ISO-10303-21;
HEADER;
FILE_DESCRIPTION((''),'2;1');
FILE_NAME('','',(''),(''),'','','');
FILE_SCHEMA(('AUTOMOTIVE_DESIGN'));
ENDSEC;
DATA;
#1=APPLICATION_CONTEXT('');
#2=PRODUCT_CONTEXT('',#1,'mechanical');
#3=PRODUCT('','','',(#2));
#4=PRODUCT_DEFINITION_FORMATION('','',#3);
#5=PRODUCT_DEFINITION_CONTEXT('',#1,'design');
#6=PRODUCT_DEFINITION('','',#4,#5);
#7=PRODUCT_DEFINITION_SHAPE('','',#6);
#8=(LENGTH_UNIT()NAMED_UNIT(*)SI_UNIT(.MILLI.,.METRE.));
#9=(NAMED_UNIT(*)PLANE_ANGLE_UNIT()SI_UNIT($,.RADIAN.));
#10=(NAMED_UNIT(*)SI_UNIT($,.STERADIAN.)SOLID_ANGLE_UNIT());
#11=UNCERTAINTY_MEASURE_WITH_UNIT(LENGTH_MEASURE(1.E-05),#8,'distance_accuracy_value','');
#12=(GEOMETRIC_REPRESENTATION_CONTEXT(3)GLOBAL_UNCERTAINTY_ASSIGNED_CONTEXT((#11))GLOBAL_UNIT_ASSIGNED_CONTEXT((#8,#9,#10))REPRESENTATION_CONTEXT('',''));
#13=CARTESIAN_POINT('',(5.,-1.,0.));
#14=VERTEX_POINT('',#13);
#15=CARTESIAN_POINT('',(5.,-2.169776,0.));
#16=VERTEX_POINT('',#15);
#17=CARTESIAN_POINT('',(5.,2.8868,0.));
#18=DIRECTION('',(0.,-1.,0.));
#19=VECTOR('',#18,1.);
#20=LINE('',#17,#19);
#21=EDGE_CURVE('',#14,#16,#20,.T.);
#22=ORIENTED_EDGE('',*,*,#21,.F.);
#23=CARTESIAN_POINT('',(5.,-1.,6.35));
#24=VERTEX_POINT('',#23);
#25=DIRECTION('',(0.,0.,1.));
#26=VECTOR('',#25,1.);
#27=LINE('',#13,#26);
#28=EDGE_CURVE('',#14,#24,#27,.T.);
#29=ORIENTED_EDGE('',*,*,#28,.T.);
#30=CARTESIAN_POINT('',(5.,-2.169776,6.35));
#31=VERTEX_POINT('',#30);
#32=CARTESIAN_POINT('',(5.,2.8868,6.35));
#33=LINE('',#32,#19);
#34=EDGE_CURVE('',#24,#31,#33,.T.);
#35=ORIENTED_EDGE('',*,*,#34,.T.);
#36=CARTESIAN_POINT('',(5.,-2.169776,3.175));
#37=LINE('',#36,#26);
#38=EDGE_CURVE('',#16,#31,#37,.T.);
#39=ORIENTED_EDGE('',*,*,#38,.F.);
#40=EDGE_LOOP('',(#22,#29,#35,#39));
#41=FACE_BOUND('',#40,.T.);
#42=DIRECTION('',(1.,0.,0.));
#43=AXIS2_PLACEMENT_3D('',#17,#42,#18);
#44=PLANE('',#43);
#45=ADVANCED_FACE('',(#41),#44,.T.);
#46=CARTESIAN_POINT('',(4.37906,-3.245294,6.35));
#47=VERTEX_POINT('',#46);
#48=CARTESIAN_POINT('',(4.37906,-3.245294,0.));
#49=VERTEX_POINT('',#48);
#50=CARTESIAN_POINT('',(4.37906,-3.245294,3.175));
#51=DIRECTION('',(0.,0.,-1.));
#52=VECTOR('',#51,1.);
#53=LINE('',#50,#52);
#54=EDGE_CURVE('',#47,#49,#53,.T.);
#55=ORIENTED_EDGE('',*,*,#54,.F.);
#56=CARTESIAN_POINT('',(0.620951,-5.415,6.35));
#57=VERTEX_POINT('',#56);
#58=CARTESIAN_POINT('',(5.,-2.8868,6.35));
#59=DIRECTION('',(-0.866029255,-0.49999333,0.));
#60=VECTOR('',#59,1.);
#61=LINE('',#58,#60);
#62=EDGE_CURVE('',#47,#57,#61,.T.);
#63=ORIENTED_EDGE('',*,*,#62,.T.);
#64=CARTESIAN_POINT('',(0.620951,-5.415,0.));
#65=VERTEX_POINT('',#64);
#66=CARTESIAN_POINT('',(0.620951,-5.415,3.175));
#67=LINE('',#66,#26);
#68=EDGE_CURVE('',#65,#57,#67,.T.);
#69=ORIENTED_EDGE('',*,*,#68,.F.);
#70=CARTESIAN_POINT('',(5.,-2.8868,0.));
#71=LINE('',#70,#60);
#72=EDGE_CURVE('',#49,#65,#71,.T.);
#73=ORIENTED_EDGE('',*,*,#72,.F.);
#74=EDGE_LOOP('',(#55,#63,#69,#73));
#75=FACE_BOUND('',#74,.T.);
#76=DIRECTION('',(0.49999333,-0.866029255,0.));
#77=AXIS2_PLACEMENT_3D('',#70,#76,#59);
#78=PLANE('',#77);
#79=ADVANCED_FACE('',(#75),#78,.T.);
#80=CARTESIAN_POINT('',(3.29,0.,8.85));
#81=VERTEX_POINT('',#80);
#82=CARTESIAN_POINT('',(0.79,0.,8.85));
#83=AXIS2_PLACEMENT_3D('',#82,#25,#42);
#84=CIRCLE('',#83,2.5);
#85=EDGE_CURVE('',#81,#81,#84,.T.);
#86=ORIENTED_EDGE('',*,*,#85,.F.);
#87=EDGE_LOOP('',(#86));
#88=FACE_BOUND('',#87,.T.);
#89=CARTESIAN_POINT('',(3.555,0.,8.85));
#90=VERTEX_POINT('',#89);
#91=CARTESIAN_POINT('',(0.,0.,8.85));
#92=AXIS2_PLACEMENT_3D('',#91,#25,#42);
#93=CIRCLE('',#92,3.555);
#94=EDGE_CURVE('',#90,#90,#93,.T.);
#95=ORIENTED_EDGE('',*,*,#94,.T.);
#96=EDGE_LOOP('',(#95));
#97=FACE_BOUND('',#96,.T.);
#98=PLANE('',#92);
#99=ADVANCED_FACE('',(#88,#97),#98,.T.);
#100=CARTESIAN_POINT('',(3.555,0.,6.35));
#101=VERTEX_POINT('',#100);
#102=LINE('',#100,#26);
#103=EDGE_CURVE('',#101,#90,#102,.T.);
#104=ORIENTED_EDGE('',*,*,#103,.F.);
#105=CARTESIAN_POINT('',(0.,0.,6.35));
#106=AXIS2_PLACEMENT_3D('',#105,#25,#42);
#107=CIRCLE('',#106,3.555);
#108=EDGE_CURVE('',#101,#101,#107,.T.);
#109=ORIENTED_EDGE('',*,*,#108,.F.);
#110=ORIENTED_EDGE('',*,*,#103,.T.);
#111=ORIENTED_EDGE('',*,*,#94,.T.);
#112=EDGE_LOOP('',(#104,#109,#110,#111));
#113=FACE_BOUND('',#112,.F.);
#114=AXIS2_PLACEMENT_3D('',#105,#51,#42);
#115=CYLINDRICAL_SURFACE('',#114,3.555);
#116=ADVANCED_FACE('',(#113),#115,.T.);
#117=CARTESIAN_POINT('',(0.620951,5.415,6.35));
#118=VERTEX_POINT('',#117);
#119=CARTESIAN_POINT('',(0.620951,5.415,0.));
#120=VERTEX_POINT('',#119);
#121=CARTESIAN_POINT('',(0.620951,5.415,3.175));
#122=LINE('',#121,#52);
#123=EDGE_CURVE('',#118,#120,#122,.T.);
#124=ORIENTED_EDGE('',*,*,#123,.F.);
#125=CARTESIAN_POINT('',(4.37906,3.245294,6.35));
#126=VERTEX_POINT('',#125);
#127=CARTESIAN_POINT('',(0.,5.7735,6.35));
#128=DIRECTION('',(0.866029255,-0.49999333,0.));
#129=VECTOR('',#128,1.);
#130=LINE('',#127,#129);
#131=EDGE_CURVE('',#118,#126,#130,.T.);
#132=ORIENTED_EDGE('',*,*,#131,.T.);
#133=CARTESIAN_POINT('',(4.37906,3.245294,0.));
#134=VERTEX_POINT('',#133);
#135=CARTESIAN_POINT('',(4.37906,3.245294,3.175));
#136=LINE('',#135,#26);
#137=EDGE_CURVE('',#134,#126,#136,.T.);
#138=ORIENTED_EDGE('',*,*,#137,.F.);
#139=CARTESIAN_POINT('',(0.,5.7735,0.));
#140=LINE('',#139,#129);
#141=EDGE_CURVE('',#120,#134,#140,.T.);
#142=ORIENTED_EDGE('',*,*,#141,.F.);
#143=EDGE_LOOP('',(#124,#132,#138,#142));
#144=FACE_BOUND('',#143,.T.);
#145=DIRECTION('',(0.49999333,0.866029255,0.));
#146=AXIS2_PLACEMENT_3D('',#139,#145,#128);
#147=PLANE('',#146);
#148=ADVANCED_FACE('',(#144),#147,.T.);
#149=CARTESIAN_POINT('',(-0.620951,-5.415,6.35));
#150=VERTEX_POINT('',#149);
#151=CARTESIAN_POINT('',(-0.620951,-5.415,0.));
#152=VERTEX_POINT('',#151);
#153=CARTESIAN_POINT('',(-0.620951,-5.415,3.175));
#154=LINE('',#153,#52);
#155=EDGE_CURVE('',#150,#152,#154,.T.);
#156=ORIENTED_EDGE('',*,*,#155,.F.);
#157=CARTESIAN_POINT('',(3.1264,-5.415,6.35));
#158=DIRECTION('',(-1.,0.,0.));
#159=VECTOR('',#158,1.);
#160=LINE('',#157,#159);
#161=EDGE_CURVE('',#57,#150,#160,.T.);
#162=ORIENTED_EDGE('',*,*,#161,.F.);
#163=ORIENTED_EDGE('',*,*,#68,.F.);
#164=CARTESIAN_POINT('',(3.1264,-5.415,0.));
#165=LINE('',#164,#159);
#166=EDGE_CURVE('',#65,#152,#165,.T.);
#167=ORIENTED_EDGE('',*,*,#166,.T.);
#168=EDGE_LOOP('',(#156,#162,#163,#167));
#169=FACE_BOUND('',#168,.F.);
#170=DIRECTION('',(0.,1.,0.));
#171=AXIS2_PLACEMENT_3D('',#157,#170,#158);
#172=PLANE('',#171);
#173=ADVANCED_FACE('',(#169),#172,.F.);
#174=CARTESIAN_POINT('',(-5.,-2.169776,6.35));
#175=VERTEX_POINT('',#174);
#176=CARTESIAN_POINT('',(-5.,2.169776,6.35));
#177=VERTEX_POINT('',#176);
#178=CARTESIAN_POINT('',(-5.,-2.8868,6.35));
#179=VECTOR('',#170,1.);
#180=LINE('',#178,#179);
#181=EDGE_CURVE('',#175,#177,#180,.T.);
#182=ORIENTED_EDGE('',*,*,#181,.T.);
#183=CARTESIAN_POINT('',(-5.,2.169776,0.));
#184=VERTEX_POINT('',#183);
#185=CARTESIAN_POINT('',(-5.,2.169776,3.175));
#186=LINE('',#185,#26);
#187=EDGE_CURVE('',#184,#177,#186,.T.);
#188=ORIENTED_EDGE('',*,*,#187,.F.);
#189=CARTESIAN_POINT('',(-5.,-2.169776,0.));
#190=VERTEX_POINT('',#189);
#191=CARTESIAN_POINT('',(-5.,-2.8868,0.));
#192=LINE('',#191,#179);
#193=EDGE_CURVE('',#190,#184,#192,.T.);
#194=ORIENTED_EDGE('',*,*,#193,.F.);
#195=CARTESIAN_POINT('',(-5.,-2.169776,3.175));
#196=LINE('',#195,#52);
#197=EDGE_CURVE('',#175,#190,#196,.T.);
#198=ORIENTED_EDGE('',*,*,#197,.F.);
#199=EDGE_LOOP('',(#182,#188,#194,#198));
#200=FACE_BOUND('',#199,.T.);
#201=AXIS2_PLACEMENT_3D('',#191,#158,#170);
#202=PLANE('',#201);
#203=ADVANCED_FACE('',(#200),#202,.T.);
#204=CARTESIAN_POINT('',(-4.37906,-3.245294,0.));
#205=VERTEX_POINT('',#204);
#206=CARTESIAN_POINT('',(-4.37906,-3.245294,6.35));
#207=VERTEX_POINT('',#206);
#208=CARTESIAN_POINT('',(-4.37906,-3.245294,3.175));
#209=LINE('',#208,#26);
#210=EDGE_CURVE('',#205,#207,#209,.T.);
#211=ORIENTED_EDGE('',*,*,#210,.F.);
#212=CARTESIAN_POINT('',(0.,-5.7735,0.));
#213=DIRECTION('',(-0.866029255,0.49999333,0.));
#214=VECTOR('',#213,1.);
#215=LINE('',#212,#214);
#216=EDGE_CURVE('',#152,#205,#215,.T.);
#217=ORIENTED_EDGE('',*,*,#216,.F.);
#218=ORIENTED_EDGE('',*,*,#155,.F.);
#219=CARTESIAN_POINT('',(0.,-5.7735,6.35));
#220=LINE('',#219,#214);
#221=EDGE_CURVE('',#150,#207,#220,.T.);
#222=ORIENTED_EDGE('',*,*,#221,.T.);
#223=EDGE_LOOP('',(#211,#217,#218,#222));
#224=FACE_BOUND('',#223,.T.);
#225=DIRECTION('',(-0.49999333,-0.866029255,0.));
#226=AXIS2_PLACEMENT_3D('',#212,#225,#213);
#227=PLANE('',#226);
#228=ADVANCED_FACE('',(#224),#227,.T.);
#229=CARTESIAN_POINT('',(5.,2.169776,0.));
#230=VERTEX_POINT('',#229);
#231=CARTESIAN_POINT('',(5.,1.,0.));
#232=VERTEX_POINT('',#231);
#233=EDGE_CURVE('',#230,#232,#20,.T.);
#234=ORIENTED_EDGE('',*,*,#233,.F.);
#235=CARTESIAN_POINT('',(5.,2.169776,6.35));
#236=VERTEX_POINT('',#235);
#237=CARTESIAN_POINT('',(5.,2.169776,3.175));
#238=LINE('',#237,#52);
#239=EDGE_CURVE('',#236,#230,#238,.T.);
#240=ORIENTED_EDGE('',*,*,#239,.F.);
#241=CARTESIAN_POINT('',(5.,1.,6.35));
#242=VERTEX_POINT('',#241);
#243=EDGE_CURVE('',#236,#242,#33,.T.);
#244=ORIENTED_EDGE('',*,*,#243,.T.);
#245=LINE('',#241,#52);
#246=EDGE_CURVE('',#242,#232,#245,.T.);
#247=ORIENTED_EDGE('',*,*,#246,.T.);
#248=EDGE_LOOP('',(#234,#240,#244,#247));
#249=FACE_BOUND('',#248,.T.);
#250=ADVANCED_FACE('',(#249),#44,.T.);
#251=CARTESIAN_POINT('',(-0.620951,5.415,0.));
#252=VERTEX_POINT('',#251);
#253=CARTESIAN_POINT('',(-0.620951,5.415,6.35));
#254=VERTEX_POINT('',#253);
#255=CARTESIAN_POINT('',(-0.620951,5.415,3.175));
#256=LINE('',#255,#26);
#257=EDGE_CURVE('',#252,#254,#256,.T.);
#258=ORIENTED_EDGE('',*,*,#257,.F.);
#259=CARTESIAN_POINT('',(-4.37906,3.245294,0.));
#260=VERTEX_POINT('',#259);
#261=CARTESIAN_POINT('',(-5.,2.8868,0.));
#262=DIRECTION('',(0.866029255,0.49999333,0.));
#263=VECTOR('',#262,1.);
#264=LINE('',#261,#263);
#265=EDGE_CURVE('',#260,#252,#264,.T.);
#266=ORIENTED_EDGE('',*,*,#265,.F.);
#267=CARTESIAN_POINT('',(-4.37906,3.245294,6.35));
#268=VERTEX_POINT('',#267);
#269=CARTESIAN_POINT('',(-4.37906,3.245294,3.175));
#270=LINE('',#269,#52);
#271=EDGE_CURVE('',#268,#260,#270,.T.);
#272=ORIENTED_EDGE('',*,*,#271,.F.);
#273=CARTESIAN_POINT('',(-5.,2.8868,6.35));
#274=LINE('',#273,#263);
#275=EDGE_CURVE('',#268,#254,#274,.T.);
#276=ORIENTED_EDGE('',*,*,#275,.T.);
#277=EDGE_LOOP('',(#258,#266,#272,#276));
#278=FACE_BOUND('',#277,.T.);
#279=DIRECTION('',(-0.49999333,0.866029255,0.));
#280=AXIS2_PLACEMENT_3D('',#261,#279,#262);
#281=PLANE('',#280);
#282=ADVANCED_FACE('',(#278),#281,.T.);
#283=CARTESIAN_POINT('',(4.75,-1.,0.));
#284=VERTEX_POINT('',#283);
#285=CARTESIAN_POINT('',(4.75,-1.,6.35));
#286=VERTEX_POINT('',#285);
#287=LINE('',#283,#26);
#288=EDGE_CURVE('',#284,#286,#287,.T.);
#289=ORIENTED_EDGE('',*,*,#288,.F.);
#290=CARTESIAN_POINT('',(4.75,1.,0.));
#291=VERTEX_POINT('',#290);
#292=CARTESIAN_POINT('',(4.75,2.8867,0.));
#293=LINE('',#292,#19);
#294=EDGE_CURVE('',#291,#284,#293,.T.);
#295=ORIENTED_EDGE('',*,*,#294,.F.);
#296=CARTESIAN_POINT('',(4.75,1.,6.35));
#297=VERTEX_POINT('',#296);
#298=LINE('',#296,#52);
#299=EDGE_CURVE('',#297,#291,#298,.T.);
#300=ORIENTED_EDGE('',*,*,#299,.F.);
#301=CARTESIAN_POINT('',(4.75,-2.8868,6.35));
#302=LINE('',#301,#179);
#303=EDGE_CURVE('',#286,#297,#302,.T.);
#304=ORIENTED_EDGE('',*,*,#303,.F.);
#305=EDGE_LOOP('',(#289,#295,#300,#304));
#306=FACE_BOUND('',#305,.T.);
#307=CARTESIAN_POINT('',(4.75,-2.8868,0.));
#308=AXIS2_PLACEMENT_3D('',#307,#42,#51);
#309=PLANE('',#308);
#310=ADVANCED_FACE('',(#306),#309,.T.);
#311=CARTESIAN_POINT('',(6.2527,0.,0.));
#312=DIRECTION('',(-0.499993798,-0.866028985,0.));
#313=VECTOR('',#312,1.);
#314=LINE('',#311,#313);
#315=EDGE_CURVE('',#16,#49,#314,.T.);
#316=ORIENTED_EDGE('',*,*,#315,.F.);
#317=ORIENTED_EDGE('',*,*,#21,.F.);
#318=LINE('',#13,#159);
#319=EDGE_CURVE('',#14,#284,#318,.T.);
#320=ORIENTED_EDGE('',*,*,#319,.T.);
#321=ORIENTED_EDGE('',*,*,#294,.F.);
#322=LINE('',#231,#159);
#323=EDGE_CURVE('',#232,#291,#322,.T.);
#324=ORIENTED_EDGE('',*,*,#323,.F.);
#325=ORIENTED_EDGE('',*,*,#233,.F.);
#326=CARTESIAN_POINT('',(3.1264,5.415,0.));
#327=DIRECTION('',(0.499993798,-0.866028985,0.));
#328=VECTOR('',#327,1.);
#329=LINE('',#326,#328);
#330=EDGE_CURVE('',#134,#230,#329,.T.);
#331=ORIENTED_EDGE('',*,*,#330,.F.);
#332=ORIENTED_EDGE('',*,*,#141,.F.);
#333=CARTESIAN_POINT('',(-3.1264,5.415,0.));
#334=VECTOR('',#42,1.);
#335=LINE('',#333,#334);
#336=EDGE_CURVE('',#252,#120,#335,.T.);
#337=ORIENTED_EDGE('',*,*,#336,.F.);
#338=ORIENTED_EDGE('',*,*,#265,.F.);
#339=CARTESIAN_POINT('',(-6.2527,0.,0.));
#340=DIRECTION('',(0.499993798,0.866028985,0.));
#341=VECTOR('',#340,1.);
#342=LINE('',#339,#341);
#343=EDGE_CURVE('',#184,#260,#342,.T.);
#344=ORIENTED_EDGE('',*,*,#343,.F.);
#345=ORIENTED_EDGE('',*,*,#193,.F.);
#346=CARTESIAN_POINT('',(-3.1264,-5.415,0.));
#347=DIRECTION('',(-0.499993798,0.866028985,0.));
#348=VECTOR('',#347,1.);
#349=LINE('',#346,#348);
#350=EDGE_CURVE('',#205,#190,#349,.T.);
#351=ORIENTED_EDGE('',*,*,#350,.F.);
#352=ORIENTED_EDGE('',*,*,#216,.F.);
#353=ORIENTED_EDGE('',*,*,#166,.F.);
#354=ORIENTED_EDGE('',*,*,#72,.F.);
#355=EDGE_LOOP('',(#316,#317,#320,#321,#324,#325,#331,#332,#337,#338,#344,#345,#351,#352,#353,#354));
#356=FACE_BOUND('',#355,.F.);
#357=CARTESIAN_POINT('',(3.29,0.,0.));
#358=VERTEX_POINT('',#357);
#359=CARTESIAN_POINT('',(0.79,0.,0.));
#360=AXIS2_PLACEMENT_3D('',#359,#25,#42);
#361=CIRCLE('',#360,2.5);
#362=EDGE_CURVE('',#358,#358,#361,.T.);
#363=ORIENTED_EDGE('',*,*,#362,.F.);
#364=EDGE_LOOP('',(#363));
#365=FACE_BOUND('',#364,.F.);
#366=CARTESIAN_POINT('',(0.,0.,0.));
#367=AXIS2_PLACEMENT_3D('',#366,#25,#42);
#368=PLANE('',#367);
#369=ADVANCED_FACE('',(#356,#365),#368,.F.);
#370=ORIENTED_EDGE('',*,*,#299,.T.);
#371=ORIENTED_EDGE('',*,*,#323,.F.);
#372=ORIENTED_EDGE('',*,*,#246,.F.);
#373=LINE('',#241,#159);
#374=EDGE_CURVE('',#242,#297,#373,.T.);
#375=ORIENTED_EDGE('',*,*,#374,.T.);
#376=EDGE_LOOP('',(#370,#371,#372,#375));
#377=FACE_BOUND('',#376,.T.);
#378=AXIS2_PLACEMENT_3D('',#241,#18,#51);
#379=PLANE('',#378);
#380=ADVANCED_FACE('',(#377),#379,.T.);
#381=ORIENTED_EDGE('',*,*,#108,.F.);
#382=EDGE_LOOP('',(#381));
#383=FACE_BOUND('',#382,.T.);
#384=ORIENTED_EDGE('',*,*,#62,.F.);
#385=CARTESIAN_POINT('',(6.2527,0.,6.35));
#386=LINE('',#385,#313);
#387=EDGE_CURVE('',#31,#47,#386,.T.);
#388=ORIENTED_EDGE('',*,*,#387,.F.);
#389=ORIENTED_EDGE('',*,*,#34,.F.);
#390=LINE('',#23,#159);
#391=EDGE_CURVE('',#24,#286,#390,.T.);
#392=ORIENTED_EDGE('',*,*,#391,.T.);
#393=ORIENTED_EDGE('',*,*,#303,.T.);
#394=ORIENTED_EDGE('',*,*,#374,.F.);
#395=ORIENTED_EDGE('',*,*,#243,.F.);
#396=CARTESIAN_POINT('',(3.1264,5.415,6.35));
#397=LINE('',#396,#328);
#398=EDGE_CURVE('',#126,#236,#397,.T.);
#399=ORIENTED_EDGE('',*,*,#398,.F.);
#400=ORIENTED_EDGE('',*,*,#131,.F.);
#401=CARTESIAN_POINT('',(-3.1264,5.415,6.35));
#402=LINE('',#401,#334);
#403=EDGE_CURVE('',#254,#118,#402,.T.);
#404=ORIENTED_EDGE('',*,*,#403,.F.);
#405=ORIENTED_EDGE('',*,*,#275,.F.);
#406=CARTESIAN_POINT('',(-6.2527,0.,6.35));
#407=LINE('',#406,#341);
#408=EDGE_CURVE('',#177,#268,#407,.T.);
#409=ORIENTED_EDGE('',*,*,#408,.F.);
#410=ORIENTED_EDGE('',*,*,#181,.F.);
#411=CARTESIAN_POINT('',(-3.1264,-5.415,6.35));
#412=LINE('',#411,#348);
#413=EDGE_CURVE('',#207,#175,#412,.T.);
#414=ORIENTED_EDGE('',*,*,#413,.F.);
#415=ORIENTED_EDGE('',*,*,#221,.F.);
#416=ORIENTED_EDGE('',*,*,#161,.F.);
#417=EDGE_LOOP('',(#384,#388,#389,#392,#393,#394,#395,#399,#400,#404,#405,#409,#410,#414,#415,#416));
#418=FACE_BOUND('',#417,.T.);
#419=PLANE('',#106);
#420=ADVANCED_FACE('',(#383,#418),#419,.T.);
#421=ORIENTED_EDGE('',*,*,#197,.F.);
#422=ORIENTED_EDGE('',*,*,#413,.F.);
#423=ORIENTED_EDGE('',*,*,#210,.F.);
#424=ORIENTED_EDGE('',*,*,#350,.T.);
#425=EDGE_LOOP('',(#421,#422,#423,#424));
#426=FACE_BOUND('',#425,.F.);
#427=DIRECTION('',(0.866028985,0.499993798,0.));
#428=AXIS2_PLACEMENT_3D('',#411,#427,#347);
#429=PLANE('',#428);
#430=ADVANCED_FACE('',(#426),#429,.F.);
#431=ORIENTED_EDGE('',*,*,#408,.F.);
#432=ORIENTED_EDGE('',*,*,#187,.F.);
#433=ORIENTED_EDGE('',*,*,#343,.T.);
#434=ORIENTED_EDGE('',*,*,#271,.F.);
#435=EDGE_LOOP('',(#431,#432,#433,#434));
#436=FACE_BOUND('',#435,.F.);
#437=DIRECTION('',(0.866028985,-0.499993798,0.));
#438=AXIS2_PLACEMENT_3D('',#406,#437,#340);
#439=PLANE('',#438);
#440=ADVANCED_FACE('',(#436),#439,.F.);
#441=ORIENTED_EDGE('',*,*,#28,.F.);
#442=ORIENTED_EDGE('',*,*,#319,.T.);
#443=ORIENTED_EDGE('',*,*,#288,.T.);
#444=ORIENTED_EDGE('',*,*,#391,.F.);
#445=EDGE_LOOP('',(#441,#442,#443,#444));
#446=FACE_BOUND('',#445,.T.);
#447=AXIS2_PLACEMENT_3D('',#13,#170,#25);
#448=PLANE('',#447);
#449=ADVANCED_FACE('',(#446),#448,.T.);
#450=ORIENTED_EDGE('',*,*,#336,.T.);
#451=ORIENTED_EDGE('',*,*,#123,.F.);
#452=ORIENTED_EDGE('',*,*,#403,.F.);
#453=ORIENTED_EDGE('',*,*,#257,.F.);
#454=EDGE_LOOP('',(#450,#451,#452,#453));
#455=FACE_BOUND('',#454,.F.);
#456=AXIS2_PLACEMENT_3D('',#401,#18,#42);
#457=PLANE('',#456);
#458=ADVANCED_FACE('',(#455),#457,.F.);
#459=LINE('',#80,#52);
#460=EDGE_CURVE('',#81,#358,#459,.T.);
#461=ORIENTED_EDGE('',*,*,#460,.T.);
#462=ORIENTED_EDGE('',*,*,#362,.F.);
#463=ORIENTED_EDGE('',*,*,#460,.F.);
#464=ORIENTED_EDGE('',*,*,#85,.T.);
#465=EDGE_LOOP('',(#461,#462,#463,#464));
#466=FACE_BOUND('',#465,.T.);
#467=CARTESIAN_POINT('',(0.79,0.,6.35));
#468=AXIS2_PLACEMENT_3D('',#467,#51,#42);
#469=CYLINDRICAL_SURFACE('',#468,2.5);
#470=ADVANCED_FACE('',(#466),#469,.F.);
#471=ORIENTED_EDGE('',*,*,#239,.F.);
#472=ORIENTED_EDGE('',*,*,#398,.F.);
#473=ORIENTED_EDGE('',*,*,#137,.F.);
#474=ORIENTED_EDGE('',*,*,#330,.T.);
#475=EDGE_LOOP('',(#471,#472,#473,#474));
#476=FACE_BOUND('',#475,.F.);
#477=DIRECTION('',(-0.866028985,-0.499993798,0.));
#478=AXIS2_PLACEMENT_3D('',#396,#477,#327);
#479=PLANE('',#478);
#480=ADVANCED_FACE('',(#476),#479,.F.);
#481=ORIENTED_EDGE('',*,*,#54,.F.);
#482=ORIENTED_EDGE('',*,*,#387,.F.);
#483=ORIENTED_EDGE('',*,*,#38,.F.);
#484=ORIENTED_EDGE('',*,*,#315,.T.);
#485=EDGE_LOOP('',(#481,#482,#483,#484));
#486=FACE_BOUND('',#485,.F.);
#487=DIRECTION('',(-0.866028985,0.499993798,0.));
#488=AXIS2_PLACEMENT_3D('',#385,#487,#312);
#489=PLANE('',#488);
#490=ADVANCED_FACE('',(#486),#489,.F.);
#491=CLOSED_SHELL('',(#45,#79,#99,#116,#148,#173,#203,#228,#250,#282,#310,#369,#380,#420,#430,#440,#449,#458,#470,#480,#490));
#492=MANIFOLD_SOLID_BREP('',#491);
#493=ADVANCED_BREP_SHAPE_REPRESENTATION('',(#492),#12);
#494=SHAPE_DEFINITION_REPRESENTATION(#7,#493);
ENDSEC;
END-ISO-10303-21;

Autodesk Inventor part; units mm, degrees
ref_plane "YZ Plane" through (0, 0, 0) normal (1, 0, 0) x (0, 1, 0)
ref_plane "XZ Plane" through (0, 0, 0) normal (0, 1, 0) x (-1, 0, 0)
ref_plane "XY Plane" through (0, 0, 0) normal (0, 0, 1) x (1, 0, 0)
sketch "Sketch1" plane through (0, 0, 0) normal (0, 0, 1) x (1, 0, 0)
  circle A0 centre (0, 0) radius 3.555
  line L0 (0, 5.7735) -> (5, 2.8868)
  line L1 (5, 2.8868) -> (5, -2.8868)
  line L2 (5, -2.8868) -> (0, -5.7735)
  line L3 (0, -5.7735) -> (-5, -2.8868)
  line L4 (-5, -2.8868) -> (-5, 2.8868)
  line L5 (-5, 2.8868) -> (0, 5.7735)
  circle A1 centre (0.79, 0) radius 2.5
  dimension "d0" = 7.11
  dimension "d2" = 10
  dimension "d3" = 5
  dimension "d4" = 0.79
extrude "Extrusion1" add sketch "Sketch1" along normal blind 6.35 contours A0 | L0 L1 L2 L3 L4 L5
sketch "Sketch2" plane through (0, 0, 6.35) normal (0, 0, 1) x (1, 0, 0)
  circle A0 centre (0.79, 0) radius 2.5 projected
  circle A1 centre (0, 0) radius 3.555
  circle A2 centre (0.79, 0) radius 2.5
  dimension "d7" = 7.11
  dimension "d9" = 5
extrude "Extrusion2" add sketch "Sketch2" along normal blind 2.5
sketch "Sketch3" plane through (5, -2.8868, 0) normal (1, 0, 0) x (0, 0, -1)
  line L0 (0, 5.7735) -> (0, 0) projected
  line L1 (-6.35, 0) -> (-6.35, 5.7735) projected
  line L2 (-6.35, 3.8868) -> (0, 3.8868)
  line L3 (0, 1.8868) -> (-6.35, 1.8868)
  line L4 (-6.35, 2.8868) -> (0, 2.8868) construction
  line L5 (-1.966, 2.8868) -> (-1.966, 3.8868) construction
  line L6 (-1.966, 2.8868) -> (-1.966, 1.8868) construction
  dimension "d13" = 2
extrude "Extrusion3" cut sketch "Sketch3" against normal blind 0.25
sketch "Sketch4" plane through (0, 0, 6.35) normal (0, 0, 1) x (1, 0, 0)
  line L0 (3.1264, 5.415) -> (6.2527, 0)
  line L1 (6.2527, 0) -> (3.1264, -5.415)
  line L2 (3.1264, -5.415) -> (-3.1264, -5.415)
  line L3 (-3.1264, -5.415) -> (-6.2527, 0)
  line L4 (-6.2527, 0) -> (-3.1264, 5.415)
  line L5 (-3.1264, 5.415) -> (3.1264, 5.415)
  line L6 (-3.1264, 5.415) -> (0, 7.4304)
  line L7 (0, 7.4304) -> (3.1264, 5.415)
  line L8 (-3.1264, 5.415) -> (-7.0189, 5.2081)
  line L9 (-7.0189, 5.2081) -> (-6.2527, 0)
  line L10 (-6.2527, 0) -> (-7.6169, -4.7381)
  line L11 (-7.6169, -4.7381) -> (-3.1264, -5.415)
  line L12 (-3.1264, -5.415) -> (-0.7756, -8.4436)
  line L13 (-0.7756, -8.4436) -> (3.1264, -5.415)
  line L14 (3.1264, -5.415) -> (7.3563, -3.9182)
  line L15 (7.3563, -3.9182) -> (6.2527, 0)
  line L16 (6.2527, 0) -> (7.7493, 2.746)
  line L17 (7.7493, 2.746) -> (3.1264, 5.415)
  point P0 (0, 0)
  point P1 (0, 0)
  dimension "d16" = 10.83
extrude "Extrusion4" cut sketch "Sketch4" against normal up to surface (6.35 mm away) contours L17 L16 L0 | L5 L6 L7 | L15 L14 L1 | L4 L9 L8 | L13 L12 L2 | L3 L11 L10
properties part number "OpenBuilds_Eccentric_Spacer"
